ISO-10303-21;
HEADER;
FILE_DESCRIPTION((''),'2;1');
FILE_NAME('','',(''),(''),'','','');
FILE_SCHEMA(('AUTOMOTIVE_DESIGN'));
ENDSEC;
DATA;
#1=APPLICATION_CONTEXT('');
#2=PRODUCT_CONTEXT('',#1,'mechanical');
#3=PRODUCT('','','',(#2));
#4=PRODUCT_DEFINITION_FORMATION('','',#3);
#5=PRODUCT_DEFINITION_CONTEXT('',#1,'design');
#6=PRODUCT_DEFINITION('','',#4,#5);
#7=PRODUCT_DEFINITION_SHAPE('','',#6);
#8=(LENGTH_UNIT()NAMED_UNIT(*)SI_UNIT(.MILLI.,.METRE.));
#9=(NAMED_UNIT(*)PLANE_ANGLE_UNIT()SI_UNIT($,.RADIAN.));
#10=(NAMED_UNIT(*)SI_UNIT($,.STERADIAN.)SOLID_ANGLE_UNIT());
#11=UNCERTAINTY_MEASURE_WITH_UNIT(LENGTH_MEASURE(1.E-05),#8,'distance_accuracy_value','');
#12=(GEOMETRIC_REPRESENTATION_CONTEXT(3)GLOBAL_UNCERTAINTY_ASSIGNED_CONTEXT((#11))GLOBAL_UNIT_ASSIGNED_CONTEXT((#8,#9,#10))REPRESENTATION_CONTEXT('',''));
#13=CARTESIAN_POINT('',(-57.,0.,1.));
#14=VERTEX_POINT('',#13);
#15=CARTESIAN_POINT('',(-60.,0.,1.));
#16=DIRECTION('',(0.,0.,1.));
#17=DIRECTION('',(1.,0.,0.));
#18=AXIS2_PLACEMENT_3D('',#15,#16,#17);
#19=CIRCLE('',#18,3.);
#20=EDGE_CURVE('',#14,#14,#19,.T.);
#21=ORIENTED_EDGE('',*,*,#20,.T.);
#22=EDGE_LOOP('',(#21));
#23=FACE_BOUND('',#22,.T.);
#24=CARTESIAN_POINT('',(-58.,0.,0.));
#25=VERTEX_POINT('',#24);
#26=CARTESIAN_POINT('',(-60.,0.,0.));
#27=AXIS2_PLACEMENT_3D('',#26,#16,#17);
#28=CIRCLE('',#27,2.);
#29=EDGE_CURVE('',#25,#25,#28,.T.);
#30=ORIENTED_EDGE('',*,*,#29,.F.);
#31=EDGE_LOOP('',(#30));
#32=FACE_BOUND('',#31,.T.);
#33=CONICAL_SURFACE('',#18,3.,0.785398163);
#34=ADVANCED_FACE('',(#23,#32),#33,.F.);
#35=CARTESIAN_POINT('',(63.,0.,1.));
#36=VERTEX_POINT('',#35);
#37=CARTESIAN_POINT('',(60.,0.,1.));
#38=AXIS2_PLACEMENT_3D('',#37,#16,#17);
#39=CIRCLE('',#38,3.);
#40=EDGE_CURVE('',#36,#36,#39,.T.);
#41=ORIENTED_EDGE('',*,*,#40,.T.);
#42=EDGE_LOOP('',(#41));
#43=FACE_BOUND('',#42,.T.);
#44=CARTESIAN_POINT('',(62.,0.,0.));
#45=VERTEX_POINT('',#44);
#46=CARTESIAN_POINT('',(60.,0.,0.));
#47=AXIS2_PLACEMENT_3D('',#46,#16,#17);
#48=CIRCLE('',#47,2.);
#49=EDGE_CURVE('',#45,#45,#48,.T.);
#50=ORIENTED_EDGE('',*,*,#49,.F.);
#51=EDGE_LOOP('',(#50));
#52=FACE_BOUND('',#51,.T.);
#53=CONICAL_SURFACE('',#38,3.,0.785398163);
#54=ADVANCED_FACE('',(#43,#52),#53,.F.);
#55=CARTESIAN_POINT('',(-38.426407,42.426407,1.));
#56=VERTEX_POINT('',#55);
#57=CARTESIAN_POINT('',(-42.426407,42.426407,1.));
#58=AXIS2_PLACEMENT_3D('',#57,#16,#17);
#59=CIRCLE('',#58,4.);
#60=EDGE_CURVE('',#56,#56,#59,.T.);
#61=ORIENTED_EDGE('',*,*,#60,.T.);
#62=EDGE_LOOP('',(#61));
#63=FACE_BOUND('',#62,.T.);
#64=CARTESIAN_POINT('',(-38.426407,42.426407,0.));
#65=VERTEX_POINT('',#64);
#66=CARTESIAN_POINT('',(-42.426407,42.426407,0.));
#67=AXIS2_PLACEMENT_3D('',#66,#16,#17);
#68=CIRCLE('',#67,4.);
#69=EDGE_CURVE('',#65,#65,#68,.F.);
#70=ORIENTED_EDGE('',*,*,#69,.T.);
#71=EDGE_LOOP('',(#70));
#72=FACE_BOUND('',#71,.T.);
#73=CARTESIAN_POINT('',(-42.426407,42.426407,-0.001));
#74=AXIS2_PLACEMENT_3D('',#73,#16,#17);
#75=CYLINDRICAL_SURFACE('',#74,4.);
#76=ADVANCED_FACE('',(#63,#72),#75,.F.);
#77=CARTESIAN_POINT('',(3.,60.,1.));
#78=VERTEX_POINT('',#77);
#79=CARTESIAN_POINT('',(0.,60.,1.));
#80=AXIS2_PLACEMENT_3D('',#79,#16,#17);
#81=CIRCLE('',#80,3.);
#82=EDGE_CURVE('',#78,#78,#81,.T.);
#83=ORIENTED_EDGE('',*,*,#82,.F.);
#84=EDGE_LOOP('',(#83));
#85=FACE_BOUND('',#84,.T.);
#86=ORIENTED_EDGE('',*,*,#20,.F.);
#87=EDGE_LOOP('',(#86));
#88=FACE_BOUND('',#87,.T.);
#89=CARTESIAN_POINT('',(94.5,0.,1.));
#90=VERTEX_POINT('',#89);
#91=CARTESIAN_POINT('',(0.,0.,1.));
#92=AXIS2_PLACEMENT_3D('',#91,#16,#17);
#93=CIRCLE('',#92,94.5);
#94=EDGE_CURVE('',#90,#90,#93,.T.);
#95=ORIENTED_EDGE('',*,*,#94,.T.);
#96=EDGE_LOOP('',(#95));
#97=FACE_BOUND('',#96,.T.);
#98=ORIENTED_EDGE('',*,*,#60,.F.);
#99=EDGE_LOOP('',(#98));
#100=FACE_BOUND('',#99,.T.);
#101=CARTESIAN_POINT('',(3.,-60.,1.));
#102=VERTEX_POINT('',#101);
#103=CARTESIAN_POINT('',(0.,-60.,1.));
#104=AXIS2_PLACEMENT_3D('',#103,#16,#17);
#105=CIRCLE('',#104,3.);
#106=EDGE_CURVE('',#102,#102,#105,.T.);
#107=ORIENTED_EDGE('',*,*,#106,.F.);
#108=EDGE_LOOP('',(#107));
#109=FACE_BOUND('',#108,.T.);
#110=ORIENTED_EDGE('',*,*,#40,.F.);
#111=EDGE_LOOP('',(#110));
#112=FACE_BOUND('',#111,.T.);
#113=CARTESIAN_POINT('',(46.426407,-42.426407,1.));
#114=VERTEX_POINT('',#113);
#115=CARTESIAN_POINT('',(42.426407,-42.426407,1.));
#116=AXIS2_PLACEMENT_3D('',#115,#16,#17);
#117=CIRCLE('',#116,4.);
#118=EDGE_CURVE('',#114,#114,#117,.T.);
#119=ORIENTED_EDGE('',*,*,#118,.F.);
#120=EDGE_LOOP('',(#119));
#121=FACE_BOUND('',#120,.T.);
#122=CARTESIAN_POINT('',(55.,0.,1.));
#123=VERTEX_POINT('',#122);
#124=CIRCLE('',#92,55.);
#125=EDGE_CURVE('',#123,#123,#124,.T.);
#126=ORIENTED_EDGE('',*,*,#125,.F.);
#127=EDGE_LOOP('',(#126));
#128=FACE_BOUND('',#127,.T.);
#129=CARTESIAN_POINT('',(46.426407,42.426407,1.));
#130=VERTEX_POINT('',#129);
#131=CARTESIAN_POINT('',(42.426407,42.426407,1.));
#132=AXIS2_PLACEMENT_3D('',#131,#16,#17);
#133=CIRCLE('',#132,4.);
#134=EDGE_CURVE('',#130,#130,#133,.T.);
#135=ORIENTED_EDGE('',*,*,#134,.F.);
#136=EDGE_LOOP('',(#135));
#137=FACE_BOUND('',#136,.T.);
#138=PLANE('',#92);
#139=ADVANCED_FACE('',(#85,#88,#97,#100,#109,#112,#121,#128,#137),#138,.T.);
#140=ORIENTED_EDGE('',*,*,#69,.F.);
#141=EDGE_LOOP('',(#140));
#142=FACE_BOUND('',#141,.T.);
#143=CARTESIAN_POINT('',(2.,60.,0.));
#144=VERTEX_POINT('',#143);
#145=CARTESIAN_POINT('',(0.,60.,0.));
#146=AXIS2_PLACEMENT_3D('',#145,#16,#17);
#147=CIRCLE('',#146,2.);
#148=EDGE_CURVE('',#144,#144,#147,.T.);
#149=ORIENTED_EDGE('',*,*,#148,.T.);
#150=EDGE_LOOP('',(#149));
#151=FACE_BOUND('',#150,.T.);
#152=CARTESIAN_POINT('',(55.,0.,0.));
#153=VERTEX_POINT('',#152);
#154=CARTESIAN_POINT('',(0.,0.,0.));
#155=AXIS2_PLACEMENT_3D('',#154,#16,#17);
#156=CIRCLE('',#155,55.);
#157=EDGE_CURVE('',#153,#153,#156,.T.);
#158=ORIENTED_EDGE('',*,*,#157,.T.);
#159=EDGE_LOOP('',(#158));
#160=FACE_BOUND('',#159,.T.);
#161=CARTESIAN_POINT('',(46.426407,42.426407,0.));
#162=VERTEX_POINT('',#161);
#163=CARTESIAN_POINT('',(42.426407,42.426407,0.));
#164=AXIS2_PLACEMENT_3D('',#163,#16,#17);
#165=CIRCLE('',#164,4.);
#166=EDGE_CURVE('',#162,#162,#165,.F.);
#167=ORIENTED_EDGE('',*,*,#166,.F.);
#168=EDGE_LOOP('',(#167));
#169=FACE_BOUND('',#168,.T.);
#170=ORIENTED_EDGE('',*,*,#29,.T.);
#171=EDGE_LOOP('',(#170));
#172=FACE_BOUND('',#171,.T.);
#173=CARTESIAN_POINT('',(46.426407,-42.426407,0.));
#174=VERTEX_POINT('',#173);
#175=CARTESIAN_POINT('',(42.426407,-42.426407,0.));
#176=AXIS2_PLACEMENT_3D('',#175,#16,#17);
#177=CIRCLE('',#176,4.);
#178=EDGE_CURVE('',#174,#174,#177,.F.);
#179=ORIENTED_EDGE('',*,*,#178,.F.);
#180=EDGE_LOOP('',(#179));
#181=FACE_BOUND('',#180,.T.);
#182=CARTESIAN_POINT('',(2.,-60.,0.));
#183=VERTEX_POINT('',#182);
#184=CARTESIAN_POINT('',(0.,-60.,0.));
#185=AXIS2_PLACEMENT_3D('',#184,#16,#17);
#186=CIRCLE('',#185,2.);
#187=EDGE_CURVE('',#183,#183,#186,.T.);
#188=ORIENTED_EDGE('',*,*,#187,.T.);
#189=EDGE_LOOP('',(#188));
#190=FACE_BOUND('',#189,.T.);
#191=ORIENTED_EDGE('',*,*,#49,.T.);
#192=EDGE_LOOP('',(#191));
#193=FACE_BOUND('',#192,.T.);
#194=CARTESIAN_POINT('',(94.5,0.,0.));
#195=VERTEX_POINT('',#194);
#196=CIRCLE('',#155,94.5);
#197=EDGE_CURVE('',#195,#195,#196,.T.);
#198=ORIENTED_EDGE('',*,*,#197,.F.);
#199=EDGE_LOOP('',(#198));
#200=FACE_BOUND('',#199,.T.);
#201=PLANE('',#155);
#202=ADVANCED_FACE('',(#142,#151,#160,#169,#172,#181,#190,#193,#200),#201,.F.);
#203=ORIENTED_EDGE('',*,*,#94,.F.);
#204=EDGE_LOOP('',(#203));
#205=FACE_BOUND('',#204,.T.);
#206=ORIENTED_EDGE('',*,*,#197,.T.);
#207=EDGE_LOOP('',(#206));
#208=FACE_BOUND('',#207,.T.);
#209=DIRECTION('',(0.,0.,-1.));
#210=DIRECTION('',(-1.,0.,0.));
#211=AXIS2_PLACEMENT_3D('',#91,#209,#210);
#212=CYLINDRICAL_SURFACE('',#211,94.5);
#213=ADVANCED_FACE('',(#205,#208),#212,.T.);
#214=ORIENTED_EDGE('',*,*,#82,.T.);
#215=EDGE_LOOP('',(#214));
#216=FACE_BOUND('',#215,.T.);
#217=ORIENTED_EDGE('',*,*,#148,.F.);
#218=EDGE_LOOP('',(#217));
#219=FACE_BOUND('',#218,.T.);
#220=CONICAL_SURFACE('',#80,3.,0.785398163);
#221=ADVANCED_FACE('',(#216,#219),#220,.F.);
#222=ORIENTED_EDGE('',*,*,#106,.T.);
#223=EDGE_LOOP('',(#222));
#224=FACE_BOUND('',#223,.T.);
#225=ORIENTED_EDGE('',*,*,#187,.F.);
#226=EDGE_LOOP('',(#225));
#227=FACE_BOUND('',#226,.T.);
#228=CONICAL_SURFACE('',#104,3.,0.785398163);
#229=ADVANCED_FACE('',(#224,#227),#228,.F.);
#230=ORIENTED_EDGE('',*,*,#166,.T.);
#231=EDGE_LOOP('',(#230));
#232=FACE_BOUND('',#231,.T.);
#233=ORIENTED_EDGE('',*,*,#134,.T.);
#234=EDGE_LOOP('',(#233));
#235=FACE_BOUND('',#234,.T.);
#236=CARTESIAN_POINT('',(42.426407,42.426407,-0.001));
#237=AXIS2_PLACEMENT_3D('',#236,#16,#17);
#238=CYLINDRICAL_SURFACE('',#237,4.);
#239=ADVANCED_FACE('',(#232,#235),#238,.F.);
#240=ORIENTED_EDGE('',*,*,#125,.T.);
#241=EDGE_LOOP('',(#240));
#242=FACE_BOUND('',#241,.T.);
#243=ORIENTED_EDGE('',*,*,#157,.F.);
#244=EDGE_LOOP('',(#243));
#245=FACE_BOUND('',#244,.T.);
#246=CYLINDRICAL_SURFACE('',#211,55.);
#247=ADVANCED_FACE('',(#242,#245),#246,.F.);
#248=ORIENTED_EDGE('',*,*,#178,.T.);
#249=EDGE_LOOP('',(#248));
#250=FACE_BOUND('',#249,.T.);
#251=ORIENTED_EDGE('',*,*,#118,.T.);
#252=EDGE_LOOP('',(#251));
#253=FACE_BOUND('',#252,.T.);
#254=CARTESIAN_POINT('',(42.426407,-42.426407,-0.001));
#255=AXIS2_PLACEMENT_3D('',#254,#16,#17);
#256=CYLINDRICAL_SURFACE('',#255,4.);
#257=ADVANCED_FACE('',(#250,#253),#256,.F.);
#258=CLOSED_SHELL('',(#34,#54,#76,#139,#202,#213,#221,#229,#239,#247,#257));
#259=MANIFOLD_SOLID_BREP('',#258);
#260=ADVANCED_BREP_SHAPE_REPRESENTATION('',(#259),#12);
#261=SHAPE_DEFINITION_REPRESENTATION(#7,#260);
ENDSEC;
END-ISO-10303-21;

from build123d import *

# Parameters (mm, degrees)
ESQUISSE1_R                                 = 94.5
ESQUISSE1_R_2                               = 55
BOSS_EXTRU_1_DEPTH                          = 1
ENL_V_MAT_EXTRU_2_REACH                     = 135.647
ESQUISSE2_R                                 = 4
FRAISAGE_POUR_VIS_T_TE_FRAIS_E_M31_AT_COUNT = 2
FRAISAGE_POUR_VIS_T_TE_FRAIS_E_M31_AT_PITCH = 84.852813742
FRAISAGE_POUR_VIS_T_TE_FRAIS_E_M31_2_COUNT  = 2
FRAISAGE_POUR_VIS_T_TE_FRAIS_E_M31_2_PITCH  = 120
FRAISAGE_POUR_VIS_T_TE_FRAIS_E_M31_3_COUNT  = 2
FRAISAGE_POUR_VIS_T_TE_FRAIS_E_M31_3_PITCH  = 84.852813742


with BuildPart() as part:
    # Esquisse1 → Boss.-Extru.1 (new body)
    with BuildSketch(Plane.XY):
        Circle(ESQUISSE1_R)
        Circle(ESQUISSE1_R_2, mode=Mode.SUBTRACT)
    extrude(amount=BOSS_EXTRU_1_DEPTH)

    # Esquisse2 → Enlèv. mat.-Extru.2 (cut, up to next)
    with BuildSketch(Plane.XY.offset(1), mode=Mode.PRIVATE) as enl_v_mat_extru_2_sk1:
        with Locations((42.426406871, 42.426406871)):
            Circle(ESQUISSE2_R)
    enl_v_mat_extru_2_tool1 = extrude(enl_v_mat_extru_2_sk1.sketch, amount=-ENL_V_MAT_EXTRU_2_REACH, mode=Mode.PRIVATE) & part.part
    # Esquisse2 → Enlèv. mat.-Extru.2 (cut, up to next)
    with BuildSketch(Plane.XY.offset(1), mode=Mode.PRIVATE) as enl_v_mat_extru_2_sk2:
        with Locations((-42.426406871, 42.426406871)):
            Circle(ESQUISSE2_R)
    enl_v_mat_extru_2_tool2 = extrude(enl_v_mat_extru_2_sk2.sketch, amount=-ENL_V_MAT_EXTRU_2_REACH, mode=Mode.PRIVATE) & part.part
    # Esquisse2 → Enlèv. mat.-Extru.2 (cut, up to next)
    with BuildSketch(Plane.XY.offset(1), mode=Mode.PRIVATE) as enl_v_mat_extru_2_sk3:
        with Locations((42.426406871, -42.426406871)):
            Circle(ESQUISSE2_R)
    enl_v_mat_extru_2_tool3 = extrude(enl_v_mat_extru_2_sk3.sketch, amount=-ENL_V_MAT_EXTRU_2_REACH, mode=Mode.PRIVATE) & part.part
    add(enl_v_mat_extru_2_tool1.solids().sort_by_distance((42.426407, 42.426407, 1))[0], mode=Mode.SUBTRACT)
    add(enl_v_mat_extru_2_tool2.solids().sort_by_distance((-42.426407, 42.426407, 1))[0], mode=Mode.SUBTRACT)
    add(enl_v_mat_extru_2_tool3.solids().sort_by_distance((42.426407, -42.426407, 1))[0], mode=Mode.SUBTRACT)

    # Esquisse3 → Fraisage pour vis à tête fraisée M31 (revolve, cut)
    with BuildSketch(Plane(origin=(0, 60, 1), x_dir=(0, -1, 0), z_dir=(1, 0, 0))):
        Polygon((0, 0), (0, 1), (1.6, 1), (1.6, 1.4), (3, 0), align=None)
    fraisage_pour_vis_t_te_frais_e_m31 = revolve(axis=Axis((0, 60, 7.35), (0, 0, -1)), mode=Mode.SUBTRACT)

    # Fraisage pour vis à tête fraisée M31 at: Fraisage pour vis à tête fraisée M31 ×2
    with Locations(*[Vector(0.7071067811865476, -0.7071067811865476, 0) * (i * FRAISAGE_POUR_VIS_T_TE_FRAIS_E_M31_AT_PITCH) for i in range(1, FRAISAGE_POUR_VIS_T_TE_FRAIS_E_M31_AT_COUNT)]):
        add(fraisage_pour_vis_t_te_frais_e_m31, mode=Mode.SUBTRACT)

    # Fraisage pour vis _ t_te frais_e M31 2: Fraisage pour vis à tête fraisée M31 ×2
    with Locations(*[(0, -i * FRAISAGE_POUR_VIS_T_TE_FRAIS_E_M31_2_PITCH, 0) for i in range(1, FRAISAGE_POUR_VIS_T_TE_FRAIS_E_M31_2_COUNT)]):
        add(fraisage_pour_vis_t_te_frais_e_m31, mode=Mode.SUBTRACT)

    # Fraisage pour vis _ t_te frais_e M31 3: Fraisage pour vis à tête fraisée M31 ×2
    with Locations(*[Vector(-0.7071067811865476, -0.7071067811865476, 0) * (i * FRAISAGE_POUR_VIS_T_TE_FRAIS_E_M31_3_PITCH) for i in range(1, FRAISAGE_POUR_VIS_T_TE_FRAIS_E_M31_3_COUNT)]):
        add(fraisage_pour_vis_t_te_frais_e_m31, mode=Mode.SUBTRACT)


solid = part.part
